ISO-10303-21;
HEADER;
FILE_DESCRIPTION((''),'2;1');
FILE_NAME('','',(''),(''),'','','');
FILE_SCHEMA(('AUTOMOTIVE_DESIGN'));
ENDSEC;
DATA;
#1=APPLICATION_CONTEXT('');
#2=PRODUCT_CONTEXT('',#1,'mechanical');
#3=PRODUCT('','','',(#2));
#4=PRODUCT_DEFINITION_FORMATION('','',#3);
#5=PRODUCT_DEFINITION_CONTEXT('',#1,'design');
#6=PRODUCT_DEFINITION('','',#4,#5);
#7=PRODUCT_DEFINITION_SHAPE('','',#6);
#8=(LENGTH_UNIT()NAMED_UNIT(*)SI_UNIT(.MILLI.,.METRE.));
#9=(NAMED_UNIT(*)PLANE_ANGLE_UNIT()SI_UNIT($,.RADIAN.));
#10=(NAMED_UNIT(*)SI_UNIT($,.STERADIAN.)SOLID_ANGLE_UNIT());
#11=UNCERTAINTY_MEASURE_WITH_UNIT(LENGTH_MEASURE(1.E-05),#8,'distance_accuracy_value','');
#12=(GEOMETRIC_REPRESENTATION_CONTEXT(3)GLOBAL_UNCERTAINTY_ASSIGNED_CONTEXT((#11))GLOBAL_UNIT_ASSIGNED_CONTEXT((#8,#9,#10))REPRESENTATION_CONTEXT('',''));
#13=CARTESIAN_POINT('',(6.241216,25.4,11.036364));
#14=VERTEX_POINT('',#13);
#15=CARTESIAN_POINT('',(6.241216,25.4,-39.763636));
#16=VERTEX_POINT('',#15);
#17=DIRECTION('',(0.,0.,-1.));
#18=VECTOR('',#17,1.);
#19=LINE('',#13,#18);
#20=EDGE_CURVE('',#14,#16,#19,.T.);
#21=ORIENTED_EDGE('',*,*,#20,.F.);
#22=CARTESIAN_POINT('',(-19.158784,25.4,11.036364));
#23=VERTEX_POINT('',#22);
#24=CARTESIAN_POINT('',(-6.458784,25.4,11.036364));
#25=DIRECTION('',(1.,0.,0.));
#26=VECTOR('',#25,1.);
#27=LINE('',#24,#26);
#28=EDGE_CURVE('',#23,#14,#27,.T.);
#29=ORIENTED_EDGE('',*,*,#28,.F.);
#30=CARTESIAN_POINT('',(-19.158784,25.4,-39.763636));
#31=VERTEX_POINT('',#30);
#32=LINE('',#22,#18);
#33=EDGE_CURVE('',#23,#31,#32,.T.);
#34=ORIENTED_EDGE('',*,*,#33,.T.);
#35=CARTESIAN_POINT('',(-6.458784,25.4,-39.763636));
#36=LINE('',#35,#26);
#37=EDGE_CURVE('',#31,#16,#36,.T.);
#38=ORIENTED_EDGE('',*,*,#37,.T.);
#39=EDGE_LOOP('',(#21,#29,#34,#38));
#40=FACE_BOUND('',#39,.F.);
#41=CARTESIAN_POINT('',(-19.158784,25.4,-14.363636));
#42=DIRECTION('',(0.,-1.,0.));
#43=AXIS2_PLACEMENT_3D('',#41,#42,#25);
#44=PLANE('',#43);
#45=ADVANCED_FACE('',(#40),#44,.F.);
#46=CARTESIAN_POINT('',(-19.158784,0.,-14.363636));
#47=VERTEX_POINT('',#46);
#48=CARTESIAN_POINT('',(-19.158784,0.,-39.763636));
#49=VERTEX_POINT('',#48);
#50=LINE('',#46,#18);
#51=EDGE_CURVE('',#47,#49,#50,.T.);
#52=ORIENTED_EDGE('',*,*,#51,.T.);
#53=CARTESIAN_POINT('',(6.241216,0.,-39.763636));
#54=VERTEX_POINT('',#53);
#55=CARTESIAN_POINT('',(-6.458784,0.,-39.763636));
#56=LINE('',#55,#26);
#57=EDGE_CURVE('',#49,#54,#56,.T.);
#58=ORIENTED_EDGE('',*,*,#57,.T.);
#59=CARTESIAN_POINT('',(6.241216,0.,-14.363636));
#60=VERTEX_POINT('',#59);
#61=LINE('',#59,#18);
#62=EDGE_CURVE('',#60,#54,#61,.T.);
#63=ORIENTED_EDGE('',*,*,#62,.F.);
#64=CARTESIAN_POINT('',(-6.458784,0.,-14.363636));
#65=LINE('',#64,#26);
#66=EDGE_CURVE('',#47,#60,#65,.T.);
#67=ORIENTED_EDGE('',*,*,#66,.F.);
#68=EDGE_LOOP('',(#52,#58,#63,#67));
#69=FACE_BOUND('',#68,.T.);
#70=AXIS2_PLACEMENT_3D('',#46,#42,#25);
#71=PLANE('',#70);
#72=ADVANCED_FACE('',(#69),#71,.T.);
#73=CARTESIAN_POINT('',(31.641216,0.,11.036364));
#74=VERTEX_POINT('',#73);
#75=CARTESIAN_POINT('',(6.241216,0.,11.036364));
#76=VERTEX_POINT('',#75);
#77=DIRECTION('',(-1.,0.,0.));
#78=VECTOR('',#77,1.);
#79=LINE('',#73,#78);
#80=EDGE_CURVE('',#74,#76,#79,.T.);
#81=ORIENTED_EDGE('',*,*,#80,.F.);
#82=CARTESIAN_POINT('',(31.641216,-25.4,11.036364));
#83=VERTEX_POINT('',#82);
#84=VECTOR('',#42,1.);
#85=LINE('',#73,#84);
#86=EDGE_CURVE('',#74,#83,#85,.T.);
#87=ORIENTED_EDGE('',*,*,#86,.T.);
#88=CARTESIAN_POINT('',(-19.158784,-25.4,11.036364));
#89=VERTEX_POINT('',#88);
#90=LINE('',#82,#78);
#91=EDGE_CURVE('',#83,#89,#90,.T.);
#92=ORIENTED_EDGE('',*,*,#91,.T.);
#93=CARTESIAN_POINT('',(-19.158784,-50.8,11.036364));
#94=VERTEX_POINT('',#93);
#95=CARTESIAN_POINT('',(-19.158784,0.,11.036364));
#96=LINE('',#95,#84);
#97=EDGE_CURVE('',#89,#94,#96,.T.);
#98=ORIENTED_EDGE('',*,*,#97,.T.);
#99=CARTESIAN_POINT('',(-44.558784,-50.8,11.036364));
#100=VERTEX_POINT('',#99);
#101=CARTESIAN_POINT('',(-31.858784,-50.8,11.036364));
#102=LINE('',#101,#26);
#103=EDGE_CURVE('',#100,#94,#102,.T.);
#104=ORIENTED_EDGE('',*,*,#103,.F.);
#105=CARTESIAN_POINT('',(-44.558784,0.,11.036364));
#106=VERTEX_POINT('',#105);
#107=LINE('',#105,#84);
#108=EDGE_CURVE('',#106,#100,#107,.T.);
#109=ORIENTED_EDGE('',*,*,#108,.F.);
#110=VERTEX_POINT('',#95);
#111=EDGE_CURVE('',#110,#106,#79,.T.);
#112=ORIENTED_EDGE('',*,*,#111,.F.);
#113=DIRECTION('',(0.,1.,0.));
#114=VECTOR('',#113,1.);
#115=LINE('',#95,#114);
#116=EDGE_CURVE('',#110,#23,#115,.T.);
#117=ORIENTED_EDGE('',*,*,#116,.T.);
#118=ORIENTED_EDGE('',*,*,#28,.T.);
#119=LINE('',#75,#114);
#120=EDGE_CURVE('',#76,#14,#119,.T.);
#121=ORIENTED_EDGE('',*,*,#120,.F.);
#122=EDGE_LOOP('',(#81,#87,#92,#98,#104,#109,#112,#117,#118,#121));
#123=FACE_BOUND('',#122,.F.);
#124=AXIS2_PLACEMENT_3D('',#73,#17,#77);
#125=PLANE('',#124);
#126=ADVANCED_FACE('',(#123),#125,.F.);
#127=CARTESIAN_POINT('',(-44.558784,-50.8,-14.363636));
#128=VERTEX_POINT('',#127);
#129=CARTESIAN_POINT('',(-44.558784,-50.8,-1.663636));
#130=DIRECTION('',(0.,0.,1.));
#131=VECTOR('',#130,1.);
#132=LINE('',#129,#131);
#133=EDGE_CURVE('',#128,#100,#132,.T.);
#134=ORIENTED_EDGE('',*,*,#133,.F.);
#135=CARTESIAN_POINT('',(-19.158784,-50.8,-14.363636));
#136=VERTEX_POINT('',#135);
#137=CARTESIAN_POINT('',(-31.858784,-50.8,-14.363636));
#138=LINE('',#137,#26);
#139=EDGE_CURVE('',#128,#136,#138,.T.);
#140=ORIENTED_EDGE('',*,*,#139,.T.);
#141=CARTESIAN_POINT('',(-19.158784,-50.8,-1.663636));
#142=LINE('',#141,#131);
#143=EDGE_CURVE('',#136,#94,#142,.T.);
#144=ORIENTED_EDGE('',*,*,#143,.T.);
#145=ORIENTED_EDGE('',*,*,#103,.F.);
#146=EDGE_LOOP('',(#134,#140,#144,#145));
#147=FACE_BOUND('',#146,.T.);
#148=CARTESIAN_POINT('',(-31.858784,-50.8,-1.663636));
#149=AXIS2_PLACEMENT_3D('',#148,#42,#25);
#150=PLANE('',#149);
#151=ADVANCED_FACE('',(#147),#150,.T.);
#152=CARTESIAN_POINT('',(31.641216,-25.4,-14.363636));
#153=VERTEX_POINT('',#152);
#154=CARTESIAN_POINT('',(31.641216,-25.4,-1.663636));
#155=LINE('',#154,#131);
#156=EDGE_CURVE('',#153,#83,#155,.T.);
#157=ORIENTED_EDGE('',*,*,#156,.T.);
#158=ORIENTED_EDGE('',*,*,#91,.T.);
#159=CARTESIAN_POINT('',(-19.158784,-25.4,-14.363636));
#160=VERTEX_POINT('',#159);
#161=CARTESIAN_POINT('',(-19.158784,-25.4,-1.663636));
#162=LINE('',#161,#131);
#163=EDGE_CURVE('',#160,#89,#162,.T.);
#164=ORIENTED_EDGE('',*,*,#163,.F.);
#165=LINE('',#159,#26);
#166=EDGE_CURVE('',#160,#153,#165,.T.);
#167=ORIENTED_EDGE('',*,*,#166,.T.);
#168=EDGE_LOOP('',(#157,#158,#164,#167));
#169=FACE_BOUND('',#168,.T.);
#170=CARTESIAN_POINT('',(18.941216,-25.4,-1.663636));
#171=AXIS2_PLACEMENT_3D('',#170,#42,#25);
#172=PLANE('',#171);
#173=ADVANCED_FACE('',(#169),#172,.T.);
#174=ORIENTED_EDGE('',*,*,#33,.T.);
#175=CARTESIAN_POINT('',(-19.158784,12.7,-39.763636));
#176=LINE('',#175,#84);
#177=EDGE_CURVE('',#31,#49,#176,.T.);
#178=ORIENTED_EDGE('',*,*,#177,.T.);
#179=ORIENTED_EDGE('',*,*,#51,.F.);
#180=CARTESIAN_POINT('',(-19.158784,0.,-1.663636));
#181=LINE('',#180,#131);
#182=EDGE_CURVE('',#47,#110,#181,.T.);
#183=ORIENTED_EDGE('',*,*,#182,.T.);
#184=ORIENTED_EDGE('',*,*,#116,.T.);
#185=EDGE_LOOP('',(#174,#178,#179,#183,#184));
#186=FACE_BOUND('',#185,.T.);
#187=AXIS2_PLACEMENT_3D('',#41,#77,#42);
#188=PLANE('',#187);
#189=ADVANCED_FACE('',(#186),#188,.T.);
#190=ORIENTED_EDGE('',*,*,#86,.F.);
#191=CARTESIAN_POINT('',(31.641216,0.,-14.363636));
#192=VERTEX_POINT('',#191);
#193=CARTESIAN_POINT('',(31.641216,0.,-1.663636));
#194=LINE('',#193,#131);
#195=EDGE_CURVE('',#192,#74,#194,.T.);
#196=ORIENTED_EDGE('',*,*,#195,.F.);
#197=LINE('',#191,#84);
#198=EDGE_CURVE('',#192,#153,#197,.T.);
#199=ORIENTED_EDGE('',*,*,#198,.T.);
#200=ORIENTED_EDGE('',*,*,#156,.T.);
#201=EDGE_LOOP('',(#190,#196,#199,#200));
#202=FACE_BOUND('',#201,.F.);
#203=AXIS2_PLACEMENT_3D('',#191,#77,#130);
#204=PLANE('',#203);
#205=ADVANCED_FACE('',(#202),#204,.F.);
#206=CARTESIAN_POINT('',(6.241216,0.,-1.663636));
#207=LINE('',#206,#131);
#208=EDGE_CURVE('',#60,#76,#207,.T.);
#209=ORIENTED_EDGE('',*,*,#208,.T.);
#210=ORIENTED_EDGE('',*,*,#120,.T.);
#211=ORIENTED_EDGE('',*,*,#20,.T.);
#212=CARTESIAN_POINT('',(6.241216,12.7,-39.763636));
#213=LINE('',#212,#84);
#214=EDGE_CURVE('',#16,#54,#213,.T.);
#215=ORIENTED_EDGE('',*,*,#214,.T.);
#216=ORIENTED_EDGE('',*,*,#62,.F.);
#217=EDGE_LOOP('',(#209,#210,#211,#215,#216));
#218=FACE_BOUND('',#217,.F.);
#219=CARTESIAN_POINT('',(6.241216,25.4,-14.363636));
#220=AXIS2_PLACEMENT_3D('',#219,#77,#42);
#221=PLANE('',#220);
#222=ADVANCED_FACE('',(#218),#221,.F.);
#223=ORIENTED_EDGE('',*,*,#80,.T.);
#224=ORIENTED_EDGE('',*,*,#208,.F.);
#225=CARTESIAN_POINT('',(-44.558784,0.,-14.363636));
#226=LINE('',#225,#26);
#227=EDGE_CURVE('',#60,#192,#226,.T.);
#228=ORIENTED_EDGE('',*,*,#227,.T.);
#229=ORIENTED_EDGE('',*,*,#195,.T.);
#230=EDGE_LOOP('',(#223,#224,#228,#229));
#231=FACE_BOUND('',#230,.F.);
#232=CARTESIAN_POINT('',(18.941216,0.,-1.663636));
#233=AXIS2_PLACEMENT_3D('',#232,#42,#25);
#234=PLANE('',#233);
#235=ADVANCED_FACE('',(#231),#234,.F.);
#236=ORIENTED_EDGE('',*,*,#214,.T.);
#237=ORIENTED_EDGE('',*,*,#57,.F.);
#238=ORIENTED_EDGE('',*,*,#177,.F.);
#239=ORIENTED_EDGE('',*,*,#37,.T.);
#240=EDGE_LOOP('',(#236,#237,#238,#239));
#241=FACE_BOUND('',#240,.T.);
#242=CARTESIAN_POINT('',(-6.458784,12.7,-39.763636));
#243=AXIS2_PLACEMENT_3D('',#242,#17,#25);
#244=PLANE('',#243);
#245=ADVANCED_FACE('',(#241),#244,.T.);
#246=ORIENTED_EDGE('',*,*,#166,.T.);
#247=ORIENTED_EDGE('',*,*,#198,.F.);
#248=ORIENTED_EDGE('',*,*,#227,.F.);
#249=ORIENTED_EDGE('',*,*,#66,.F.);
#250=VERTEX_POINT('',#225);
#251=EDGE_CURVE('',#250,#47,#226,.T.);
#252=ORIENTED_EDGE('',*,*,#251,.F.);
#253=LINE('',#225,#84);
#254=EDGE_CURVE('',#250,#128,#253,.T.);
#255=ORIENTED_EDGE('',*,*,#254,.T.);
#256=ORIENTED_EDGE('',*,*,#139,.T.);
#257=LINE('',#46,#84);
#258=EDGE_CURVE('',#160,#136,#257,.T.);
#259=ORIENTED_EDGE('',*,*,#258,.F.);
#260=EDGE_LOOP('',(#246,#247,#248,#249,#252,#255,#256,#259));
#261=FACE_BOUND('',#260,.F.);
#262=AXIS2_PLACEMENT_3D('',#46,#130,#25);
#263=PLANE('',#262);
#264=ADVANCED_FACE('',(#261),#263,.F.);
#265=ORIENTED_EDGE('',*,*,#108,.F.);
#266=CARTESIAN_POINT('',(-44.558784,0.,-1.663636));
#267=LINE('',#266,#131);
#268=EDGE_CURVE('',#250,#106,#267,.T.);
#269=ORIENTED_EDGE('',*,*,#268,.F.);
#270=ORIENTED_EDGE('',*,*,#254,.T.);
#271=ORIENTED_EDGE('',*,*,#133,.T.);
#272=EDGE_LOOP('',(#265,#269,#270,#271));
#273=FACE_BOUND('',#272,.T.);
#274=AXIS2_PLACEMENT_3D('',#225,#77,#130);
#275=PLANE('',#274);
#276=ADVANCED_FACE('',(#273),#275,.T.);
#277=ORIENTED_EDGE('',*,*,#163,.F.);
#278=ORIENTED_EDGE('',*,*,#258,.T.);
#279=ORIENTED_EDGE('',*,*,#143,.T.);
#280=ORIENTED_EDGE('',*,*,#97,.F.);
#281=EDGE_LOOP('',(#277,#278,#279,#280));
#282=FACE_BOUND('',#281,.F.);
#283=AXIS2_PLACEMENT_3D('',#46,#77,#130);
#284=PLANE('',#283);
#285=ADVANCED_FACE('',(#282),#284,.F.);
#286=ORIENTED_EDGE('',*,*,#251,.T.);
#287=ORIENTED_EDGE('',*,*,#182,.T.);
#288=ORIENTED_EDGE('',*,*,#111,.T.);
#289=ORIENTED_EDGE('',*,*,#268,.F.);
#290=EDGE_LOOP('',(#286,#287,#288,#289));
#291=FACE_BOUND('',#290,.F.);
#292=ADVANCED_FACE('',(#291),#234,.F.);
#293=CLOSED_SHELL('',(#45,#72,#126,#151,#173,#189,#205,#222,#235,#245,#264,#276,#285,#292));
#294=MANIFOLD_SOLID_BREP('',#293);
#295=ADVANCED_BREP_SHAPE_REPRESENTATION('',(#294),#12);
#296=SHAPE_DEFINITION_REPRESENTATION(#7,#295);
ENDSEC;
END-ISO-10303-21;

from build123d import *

# Parameters (mm, degrees)
F0_W     = 25.4
F0_H     = 25.4
F1_DEPTH = 50.8
F2_DEPTH = 25.4
F3_W     = 25.4
F3_H     = 25.4
F4_DEPTH = 25.4
F5_W     = 25.4
F5_H     = 25.4
F6_DEPTH = 25.4


with BuildPart() as f1:
    # F0 (on Front) → F1 (new body)
    with BuildSketch(Plane.XZ):
        with Locations((-31.858784, -1.663636)):
            Rectangle(F0_W, F0_H)
    extrude(amount=F1_DEPTH)

    # F0 (on Front) → F2 (join)
    with BuildSketch(Plane.XZ):
        with Locations((18.941216, -1.663636)):
            Rectangle(F0_W, F0_H)
        with Locations((-6.458784, -1.663636)):
            Rectangle(F0_W, F0_H)
    extrude(amount=F2_DEPTH)

    # F3 (on face) → F4 (join)
    with BuildSketch(Plane.XZ):
        with Locations((-6.458784, -1.663636)):
            Rectangle(F3_W, F3_H)
    extrude(amount=-F4_DEPTH)

    # F5 (on face) → F6 (join)
    with BuildSketch(Plane(origin=(0, 0, -14.363636), x_dir=(1, 0, 0), z_dir=(0, 0, -1))):
        with Locations((-6.458784, -12.7)):
            Rectangle(F5_W, F5_H)
    extrude(amount=F6_DEPTH)


solid = f1.part
